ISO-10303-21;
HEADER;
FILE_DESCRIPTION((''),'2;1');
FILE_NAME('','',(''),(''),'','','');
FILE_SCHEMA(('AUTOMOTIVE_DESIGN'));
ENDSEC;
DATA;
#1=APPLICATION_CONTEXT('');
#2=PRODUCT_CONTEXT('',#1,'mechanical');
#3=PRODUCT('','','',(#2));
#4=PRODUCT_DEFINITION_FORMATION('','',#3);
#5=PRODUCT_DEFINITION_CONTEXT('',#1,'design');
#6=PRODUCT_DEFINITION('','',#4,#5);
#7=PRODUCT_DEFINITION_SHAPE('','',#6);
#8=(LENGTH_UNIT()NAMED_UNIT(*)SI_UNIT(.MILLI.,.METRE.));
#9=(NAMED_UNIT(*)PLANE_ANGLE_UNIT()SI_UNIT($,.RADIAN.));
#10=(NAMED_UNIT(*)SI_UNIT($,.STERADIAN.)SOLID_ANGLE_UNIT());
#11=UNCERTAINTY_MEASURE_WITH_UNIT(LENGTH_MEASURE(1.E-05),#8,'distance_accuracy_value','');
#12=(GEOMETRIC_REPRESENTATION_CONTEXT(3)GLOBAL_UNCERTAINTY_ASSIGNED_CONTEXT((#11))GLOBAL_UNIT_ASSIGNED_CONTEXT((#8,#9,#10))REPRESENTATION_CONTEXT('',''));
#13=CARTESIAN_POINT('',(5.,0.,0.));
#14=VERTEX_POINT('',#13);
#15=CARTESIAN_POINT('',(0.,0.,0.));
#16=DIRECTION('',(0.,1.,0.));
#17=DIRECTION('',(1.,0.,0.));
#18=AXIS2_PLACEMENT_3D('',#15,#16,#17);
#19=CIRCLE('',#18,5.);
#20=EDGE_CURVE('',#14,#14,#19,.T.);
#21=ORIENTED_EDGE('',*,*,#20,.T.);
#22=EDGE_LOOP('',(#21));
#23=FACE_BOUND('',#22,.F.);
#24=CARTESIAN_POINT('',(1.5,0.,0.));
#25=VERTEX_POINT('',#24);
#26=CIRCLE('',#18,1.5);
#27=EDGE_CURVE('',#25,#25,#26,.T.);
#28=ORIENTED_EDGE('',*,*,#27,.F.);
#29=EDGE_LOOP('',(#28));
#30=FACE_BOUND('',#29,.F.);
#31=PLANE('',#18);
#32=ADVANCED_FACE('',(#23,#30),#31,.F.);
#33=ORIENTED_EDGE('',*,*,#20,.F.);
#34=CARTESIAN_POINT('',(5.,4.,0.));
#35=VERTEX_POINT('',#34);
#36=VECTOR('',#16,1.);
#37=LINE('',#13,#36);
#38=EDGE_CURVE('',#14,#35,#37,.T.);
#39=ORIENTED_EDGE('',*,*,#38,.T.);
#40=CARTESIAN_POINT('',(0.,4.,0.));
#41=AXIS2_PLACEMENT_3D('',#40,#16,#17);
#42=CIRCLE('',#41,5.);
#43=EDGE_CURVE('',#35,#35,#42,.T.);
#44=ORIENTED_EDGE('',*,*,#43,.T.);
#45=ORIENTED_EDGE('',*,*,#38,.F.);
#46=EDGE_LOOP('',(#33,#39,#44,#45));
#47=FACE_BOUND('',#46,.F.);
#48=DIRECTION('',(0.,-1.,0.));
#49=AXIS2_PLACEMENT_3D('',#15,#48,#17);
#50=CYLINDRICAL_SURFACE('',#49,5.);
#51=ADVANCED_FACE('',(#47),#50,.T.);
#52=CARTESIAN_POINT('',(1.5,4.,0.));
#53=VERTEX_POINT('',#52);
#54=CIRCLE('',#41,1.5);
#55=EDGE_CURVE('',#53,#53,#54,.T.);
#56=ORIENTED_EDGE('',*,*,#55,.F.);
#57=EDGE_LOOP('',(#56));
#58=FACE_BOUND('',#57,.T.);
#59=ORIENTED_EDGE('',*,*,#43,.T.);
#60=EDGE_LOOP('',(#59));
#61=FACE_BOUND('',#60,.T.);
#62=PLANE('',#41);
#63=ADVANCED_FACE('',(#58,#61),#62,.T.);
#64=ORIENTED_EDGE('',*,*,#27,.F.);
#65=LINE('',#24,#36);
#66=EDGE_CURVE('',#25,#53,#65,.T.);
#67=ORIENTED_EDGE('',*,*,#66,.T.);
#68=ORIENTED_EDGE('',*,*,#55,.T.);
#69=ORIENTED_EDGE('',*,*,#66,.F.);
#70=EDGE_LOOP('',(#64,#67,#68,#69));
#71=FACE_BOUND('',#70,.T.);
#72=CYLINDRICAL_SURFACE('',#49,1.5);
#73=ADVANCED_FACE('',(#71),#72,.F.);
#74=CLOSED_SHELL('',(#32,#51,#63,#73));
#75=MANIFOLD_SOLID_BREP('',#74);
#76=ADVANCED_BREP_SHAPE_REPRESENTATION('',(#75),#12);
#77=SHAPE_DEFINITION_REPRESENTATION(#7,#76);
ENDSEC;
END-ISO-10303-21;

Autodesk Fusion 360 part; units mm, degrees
sketch "Esquisse1" plane through (0, 0, 0) normal (0, 1, 0) x (1, 0, 0)
  circle A0 centre (0, 0) radius 5
  circle A1 centre (0, 0) radius 1.5
  dimension "d1" = 10
  dimension "d2" = 3
extrude "Extrusion1" add sketch "Esquisse1" along normal blind 4
